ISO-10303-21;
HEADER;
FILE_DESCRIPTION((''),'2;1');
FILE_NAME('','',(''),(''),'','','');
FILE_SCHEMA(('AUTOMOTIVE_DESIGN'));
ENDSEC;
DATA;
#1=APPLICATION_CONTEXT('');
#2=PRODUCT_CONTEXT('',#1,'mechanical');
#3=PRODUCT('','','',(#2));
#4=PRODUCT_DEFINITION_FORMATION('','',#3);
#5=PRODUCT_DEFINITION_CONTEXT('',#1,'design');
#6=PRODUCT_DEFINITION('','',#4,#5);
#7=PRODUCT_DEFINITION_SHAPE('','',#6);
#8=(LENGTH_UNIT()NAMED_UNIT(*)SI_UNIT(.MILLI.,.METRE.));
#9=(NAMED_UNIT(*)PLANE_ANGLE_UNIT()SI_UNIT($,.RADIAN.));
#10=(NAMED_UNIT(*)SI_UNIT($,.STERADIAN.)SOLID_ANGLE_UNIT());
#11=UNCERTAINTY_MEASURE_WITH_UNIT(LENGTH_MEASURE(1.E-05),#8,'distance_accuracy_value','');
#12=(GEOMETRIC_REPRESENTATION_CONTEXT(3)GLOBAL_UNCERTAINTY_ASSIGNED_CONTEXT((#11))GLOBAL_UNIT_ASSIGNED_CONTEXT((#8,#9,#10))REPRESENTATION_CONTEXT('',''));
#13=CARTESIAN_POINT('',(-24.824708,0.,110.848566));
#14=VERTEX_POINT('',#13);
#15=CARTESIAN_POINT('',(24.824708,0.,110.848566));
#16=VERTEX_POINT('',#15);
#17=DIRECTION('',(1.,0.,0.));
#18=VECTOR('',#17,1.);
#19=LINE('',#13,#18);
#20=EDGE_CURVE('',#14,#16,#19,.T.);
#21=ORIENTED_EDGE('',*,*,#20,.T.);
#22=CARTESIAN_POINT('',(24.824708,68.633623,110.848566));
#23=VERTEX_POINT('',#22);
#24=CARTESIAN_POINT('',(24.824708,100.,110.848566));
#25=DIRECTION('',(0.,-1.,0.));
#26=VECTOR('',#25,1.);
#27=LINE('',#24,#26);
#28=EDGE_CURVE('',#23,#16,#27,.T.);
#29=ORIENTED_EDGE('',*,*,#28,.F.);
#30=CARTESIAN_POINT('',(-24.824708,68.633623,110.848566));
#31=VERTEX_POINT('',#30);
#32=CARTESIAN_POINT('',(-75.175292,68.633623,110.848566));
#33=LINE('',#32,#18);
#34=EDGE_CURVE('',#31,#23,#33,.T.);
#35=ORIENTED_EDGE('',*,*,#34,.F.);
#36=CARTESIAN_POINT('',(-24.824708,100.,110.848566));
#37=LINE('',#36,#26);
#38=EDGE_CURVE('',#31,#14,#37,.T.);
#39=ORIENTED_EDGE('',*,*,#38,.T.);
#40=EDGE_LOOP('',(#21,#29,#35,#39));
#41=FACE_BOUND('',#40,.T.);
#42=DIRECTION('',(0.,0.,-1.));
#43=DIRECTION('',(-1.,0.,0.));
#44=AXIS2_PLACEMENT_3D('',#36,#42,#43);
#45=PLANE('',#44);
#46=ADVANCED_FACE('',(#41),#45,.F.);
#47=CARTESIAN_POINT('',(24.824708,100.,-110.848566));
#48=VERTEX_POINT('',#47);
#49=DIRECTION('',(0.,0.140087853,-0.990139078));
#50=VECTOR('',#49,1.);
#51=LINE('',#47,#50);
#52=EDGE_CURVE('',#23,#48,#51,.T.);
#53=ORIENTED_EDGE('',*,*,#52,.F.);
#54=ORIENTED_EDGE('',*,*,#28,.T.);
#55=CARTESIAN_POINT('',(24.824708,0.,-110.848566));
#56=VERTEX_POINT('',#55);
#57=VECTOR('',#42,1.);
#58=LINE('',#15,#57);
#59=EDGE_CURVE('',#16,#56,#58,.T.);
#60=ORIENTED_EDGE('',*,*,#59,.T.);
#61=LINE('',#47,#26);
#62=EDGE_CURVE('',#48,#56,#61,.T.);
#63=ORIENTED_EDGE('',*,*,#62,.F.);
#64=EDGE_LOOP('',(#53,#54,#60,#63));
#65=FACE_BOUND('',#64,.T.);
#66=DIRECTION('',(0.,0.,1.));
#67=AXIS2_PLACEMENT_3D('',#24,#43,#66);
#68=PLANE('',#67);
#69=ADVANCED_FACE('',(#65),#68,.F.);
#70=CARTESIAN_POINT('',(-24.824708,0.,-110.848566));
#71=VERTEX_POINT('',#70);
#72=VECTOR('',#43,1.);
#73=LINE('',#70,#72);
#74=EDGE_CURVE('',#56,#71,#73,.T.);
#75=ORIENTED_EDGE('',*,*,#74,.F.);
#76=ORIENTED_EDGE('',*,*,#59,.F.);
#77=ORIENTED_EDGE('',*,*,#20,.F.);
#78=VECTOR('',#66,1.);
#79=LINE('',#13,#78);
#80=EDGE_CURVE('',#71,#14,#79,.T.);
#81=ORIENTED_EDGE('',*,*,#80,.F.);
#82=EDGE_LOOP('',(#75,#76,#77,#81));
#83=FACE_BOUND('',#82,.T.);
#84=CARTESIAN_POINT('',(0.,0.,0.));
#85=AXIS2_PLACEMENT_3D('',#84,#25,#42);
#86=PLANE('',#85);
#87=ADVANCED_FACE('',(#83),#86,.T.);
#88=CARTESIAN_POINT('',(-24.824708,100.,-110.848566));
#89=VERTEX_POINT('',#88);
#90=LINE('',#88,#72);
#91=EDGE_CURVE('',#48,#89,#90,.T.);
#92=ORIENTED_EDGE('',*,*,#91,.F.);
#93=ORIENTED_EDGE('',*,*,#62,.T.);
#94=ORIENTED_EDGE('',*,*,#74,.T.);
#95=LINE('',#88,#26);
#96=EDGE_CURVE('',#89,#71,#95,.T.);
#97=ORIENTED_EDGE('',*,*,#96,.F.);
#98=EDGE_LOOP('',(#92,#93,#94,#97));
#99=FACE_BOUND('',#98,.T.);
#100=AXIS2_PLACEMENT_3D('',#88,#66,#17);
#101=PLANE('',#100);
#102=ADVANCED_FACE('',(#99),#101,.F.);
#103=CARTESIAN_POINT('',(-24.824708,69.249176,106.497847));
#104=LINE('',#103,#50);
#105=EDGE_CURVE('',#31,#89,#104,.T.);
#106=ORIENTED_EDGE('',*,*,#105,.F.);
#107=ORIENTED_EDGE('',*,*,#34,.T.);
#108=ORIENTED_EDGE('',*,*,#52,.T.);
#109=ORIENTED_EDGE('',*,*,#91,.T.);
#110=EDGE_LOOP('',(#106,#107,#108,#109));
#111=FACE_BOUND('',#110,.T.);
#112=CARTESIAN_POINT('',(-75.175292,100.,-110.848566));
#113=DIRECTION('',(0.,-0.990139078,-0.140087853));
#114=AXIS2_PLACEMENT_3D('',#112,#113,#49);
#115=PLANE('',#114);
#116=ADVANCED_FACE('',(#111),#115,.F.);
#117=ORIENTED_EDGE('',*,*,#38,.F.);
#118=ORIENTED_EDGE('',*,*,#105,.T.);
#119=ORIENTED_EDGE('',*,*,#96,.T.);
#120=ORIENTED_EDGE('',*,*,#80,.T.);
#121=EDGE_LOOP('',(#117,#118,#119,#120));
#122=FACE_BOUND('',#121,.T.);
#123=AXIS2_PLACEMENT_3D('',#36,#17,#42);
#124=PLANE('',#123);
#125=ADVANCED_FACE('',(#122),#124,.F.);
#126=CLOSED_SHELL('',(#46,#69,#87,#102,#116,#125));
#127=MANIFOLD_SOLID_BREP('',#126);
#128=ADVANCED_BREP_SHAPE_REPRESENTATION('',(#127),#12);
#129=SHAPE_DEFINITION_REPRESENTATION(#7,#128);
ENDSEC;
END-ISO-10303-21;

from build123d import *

# Parameters (mm, degrees)
SKETCH1_W           = 49.64941617
SKETCH1_H           = 221.697132798
BOSS_EXTRUDE1_DEPTH = 100
CUT_EXTRUDE1_DEPTH  = 100


with BuildPart() as part:
    # Sketch1 → Boss-Extrude1 (new body)
    with BuildSketch(Plane(origin=(0, 0, 0), x_dir=(1, 0, 0), z_dir=(0, 1, 0))):
        Rectangle(SKETCH1_W, SKETCH1_H)
    extrude(amount=BOSS_EXTRUDE1_DEPTH)

    # Sketch2 → Cut-Extrude1 (cut)
    with BuildSketch(Plane(origin=(24.824708085, 0, 0), x_dir=(0, 0, -1), z_dir=(1, 0, 0))):
        Polygon((110.848566399, 100), (-110.848566399, 68.633623225), (-110.848566399, 100), align=None)
    extrude(amount=-CUT_EXTRUDE1_DEPTH, mode=Mode.SUBTRACT)


solid = part.part
